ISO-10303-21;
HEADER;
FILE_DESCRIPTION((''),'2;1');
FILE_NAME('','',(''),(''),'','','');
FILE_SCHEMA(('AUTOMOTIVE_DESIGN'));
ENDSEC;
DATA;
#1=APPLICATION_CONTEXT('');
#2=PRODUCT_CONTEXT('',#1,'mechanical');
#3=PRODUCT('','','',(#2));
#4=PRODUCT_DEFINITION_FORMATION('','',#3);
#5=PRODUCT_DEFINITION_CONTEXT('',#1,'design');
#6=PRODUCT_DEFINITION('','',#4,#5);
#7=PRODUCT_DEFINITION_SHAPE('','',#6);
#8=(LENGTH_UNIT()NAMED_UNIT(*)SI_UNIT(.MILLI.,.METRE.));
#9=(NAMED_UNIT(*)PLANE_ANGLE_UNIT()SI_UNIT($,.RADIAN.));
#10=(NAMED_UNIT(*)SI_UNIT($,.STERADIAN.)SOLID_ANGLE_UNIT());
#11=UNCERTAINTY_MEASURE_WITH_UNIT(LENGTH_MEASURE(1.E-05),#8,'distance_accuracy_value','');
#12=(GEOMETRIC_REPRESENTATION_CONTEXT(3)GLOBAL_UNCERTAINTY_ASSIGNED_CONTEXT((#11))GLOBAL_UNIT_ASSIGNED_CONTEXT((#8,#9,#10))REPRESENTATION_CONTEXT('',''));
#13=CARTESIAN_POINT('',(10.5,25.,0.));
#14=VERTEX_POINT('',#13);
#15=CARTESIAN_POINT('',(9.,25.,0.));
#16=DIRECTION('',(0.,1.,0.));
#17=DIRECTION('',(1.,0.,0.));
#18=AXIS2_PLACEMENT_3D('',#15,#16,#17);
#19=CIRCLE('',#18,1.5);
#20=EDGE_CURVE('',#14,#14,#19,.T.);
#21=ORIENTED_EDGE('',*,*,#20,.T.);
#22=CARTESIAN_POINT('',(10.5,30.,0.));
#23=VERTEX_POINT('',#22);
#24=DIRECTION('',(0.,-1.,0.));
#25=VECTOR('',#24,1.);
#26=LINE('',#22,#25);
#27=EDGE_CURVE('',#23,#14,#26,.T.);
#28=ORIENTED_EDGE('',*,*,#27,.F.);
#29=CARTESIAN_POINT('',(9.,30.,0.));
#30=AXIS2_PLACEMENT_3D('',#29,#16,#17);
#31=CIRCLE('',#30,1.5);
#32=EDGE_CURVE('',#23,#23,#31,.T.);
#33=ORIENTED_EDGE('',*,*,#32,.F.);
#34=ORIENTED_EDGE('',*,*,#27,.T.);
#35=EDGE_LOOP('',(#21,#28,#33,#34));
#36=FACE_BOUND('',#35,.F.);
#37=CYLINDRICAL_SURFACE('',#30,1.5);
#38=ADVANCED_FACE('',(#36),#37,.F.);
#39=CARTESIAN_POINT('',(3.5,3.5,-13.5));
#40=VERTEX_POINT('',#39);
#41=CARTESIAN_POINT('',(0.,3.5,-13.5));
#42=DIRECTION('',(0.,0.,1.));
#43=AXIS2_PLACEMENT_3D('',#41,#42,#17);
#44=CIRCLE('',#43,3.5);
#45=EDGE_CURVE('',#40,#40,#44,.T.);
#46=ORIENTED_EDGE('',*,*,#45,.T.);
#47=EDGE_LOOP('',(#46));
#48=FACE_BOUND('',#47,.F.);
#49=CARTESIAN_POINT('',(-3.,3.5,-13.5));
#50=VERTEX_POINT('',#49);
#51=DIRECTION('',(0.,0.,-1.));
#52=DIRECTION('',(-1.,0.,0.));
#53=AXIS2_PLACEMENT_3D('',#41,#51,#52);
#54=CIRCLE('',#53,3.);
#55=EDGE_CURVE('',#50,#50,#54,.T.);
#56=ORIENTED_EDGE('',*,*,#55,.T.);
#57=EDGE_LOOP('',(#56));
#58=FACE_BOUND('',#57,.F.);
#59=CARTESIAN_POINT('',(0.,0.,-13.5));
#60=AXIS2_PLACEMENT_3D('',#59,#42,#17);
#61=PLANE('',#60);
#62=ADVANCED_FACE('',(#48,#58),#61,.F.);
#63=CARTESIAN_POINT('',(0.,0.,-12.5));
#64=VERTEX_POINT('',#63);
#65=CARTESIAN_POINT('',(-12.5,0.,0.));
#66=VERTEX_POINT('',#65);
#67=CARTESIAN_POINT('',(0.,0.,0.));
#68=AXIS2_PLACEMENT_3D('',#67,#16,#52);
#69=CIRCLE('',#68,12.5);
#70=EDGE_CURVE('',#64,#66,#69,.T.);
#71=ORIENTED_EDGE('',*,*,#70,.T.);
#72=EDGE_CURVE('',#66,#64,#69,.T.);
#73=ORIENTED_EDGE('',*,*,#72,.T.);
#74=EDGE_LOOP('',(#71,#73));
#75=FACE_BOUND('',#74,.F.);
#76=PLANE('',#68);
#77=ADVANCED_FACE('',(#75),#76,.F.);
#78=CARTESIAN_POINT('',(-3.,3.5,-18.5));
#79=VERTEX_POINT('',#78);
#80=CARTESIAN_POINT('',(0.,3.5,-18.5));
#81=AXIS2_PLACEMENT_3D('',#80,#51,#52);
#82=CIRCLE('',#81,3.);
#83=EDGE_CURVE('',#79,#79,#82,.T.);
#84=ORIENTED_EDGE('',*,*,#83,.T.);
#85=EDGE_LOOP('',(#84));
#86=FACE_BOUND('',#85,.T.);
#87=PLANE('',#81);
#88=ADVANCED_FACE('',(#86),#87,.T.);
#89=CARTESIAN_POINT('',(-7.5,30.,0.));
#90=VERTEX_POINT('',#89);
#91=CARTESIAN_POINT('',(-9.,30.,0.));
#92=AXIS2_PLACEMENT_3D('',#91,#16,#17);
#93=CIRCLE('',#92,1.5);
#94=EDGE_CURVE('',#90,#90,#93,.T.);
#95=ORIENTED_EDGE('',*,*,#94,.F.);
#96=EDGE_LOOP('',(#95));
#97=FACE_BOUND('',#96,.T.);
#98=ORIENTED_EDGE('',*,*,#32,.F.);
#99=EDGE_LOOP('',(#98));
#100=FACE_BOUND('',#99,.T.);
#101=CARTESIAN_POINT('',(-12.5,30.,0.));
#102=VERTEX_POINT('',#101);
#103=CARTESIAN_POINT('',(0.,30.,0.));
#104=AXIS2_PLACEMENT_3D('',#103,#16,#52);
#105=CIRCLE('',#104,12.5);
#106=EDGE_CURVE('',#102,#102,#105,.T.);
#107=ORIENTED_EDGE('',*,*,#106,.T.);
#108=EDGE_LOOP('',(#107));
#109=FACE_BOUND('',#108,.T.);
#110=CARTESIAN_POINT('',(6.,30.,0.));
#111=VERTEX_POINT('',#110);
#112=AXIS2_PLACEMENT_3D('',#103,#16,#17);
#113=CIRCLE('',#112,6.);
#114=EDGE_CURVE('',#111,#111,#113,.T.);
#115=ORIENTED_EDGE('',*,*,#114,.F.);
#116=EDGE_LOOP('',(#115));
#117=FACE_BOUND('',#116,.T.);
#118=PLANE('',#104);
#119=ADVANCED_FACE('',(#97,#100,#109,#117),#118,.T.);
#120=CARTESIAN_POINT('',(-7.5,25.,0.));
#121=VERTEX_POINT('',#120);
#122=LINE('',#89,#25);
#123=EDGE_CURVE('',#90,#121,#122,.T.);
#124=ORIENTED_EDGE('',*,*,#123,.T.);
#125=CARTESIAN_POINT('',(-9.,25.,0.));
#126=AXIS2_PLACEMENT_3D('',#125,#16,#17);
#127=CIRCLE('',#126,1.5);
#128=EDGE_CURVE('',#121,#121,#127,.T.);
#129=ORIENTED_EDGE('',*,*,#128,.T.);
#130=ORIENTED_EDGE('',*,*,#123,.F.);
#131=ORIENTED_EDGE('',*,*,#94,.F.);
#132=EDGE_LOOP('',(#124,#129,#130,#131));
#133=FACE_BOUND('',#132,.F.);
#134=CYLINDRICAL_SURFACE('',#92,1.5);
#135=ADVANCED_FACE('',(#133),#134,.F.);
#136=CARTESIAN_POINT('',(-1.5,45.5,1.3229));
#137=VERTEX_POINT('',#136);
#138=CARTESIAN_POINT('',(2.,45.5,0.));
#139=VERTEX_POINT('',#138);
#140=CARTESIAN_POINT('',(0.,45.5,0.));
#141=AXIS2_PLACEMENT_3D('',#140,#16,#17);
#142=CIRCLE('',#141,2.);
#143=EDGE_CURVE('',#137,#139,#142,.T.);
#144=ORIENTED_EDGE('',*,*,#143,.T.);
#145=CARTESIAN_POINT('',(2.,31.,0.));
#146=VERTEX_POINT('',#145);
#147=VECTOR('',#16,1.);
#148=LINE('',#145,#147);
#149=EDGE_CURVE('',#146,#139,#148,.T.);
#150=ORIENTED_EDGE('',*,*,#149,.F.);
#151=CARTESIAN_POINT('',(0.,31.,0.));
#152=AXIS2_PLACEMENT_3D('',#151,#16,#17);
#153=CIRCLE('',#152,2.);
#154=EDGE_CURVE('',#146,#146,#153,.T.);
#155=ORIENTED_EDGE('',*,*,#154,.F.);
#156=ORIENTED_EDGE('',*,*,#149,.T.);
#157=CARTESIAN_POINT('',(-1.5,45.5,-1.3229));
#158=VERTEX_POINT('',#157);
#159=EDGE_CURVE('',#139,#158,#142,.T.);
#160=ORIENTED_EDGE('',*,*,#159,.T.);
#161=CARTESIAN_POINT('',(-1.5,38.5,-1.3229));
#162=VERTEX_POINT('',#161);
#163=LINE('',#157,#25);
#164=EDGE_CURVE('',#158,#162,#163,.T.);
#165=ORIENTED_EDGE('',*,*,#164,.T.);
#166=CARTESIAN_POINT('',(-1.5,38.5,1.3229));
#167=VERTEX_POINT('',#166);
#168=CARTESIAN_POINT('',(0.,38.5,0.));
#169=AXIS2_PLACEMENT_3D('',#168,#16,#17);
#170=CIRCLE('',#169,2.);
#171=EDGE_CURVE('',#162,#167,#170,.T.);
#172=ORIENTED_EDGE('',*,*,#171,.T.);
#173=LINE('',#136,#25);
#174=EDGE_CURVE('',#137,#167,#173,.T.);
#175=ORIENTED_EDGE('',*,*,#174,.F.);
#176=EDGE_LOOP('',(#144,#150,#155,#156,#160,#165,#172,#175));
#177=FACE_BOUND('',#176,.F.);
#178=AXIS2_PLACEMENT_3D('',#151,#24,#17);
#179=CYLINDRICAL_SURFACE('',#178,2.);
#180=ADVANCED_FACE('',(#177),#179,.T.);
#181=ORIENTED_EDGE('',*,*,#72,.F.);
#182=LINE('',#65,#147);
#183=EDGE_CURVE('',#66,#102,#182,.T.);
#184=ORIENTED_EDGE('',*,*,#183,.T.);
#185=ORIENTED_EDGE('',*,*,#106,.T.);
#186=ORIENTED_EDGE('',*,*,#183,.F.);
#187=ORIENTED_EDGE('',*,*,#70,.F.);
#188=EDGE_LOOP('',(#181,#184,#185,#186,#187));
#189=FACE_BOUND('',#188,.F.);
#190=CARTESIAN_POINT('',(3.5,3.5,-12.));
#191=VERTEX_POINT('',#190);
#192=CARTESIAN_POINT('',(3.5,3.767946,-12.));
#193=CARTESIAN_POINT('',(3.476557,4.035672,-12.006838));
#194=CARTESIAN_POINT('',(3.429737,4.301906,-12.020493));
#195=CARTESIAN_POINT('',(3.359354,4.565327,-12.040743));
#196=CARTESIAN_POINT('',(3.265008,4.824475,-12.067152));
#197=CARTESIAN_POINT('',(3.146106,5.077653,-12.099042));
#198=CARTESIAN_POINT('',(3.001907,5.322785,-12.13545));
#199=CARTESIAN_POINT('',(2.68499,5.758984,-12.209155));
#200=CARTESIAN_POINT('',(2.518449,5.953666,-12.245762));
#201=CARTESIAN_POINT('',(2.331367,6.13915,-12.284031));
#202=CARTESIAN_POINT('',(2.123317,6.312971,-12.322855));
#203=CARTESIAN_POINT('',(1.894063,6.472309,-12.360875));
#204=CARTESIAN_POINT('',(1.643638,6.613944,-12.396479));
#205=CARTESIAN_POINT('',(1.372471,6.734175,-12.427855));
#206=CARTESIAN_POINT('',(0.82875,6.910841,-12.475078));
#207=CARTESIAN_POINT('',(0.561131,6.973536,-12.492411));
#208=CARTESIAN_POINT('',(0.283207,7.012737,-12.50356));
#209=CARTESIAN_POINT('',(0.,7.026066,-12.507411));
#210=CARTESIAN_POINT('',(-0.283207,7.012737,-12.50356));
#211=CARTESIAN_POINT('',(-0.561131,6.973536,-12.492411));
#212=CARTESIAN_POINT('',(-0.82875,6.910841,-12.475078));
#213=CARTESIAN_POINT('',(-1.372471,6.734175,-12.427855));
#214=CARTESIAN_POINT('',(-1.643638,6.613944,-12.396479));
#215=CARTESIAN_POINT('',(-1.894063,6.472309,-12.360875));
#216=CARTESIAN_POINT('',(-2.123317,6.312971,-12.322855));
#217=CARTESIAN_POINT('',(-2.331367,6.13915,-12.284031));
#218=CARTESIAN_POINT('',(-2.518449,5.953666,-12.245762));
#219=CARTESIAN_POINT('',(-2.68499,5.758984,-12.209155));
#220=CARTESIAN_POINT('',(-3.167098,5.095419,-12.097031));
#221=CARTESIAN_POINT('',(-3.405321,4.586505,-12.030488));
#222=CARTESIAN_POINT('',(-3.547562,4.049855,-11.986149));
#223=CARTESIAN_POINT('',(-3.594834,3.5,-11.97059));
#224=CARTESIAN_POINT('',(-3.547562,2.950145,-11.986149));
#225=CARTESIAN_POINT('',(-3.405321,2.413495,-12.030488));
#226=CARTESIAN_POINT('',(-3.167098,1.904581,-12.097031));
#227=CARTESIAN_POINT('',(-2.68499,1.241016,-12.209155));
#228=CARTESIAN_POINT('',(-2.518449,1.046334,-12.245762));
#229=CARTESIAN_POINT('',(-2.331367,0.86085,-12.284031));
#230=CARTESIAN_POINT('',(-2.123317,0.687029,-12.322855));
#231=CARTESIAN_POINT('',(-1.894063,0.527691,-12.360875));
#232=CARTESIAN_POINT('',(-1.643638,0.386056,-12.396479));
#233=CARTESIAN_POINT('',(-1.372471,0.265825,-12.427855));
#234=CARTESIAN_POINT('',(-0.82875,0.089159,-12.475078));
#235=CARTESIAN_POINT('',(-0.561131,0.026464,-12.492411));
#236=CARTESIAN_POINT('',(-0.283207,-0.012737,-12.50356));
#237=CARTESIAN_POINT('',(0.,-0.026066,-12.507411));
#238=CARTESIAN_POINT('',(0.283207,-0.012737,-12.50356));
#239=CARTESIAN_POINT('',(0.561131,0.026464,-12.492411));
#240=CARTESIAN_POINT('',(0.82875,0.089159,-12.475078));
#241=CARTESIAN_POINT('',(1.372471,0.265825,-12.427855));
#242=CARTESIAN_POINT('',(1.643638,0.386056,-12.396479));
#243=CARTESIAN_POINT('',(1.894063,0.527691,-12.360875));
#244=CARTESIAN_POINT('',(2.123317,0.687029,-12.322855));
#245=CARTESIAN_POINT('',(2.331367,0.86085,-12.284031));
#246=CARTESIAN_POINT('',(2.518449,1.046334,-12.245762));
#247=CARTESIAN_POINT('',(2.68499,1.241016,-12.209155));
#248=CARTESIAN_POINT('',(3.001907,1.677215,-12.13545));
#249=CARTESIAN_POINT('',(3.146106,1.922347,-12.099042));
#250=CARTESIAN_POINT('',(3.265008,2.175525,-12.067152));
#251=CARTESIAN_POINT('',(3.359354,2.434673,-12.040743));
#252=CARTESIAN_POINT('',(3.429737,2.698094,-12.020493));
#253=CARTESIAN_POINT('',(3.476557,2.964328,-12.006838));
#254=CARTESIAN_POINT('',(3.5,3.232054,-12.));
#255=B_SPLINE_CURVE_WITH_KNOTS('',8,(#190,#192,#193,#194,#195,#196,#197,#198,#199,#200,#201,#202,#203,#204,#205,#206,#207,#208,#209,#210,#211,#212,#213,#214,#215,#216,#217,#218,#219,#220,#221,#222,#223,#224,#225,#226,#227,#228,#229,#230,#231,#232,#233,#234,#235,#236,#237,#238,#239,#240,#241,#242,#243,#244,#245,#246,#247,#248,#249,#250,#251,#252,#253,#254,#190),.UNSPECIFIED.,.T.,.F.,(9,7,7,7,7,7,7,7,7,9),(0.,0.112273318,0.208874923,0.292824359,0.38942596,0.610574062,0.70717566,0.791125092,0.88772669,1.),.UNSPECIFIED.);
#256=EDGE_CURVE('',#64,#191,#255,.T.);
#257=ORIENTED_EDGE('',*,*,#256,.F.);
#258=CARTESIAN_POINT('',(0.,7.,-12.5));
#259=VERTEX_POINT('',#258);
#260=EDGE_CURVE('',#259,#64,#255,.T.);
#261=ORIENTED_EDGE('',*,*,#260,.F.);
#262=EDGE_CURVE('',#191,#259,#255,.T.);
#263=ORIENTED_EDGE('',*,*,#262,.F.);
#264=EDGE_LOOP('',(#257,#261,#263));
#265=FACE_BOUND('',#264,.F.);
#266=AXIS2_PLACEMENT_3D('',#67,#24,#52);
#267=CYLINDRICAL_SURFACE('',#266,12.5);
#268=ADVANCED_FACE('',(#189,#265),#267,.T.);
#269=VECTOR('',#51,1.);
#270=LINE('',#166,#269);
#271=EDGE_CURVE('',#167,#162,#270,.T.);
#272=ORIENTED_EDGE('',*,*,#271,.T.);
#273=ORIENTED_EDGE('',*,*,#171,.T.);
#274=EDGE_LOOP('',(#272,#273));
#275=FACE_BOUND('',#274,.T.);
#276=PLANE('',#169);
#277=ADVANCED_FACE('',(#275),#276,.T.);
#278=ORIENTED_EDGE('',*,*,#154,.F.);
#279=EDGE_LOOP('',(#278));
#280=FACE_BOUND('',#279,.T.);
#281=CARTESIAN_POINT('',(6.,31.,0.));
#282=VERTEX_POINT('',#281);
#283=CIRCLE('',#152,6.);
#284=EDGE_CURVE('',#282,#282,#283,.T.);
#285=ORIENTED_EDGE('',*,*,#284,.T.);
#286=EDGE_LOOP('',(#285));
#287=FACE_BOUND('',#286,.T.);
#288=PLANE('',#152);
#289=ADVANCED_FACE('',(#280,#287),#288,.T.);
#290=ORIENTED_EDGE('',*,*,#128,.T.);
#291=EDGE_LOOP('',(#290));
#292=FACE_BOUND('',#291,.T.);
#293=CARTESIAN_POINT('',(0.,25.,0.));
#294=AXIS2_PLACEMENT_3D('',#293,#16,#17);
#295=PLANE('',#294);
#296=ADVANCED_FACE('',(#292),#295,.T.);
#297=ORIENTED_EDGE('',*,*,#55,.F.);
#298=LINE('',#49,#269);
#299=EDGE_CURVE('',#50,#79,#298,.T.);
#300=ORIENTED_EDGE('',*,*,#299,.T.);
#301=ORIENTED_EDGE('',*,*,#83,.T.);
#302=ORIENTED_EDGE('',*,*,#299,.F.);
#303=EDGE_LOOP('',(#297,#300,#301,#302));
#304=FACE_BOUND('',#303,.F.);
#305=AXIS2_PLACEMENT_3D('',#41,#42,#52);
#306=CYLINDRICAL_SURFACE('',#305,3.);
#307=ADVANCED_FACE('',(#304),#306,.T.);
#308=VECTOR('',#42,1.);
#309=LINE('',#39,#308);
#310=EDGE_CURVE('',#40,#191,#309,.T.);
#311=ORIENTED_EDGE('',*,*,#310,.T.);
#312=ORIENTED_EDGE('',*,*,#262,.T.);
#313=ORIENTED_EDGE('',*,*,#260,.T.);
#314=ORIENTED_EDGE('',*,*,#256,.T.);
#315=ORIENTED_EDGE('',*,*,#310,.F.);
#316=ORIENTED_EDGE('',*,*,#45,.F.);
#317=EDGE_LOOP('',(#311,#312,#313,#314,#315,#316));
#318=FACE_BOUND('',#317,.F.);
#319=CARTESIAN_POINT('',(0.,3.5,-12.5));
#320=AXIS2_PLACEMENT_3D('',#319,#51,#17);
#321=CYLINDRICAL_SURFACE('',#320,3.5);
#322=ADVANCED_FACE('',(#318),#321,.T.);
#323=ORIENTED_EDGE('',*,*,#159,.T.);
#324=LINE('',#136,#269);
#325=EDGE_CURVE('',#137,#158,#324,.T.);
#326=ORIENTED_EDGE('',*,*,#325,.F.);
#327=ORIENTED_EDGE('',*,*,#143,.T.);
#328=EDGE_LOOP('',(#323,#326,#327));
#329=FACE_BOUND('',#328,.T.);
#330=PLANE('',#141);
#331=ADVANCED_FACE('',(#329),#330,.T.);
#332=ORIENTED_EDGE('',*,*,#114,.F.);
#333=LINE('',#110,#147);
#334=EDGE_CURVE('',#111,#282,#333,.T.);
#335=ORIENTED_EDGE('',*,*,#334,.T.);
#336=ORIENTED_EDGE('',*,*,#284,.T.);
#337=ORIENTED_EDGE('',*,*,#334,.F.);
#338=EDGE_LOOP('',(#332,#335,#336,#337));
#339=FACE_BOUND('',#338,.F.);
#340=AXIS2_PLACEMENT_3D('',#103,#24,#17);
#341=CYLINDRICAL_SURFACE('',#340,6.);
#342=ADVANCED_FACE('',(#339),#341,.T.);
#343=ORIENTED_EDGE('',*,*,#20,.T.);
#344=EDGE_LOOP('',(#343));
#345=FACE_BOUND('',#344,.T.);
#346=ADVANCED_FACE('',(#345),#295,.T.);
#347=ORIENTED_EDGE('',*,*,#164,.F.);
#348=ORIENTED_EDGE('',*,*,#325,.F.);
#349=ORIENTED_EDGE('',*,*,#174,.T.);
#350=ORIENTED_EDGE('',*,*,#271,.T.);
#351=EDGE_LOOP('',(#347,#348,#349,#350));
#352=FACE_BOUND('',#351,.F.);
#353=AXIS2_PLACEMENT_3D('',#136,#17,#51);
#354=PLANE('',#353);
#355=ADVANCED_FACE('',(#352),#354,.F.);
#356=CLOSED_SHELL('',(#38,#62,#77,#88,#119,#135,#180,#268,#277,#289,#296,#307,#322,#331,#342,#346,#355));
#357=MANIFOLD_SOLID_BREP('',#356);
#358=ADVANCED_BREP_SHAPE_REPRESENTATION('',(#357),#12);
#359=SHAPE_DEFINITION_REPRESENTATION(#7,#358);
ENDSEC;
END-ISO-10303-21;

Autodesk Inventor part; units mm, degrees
ref_plane "YZ Plane" through (0, 0, 0) normal (1, 0, 0) x (0, 1, 0)
ref_plane "XZ Plane" through (0, 0, 0) normal (0, 1, 0) x (-1, 0, 0)
sketch "Esquisse1" plane through (0, 0, 0) normal (0, 1, 0) x (-1, 0, 0)
  circle A0 centre (0, 0) radius 12.5
  dimension "d0" = 25
extrude "Extrusion1" add sketch "Esquisse1" along normal blind 30
sketch "Esquisse2" plane through (0, 30, 0) normal (0, 1, 0) x (1, 0, 0)
  circle A0 centre (0, 0) radius 6
  dimension "d3" = 12
extrude "Extrusion2" add sketch "Esquisse2" along normal blind 1
sketch "Esquisse3" plane through (0, 31, 0) normal (0, 1, 0) x (1, 0, 0)
  circle A0 centre (0, 0) radius 2
  dimension "d6" = 4
extrude "Extrusion3" add sketch "Esquisse3" along normal blind 14.5
sketch "Esquisse4" plane through (0, 45.5, 0) normal (0, 1, 0) x (1, 0, 0)
  circle A0 centre (0, 0) radius 2 projected
  line L0 (-1.5, -1.3229) -> (-1.5, 1.3229)
  dimension "d9" = 0.5
extrude "Extrusion4" cut sketch "Esquisse4" against normal blind 7 contours L0 A0 picked at (-1.5908, -0.3089)
ref_plane "Plan de construction1" through (0, 0, -12.5) normal (0, 0, 1) x (1, 0, 0)
sketch "Esquisse5" plane through (0, 0, -12.5) normal (0, 0, 1) x (1, 0, 0)
  circle A0 centre (0, 3.5) radius 3.5
  point P0 (0, 0)
  dimension "d12" = 3.5
  dimension "d13" = 7
extrude "Extrusion5" add sketch "Esquisse5" along normal mid plane 2
sketch "Esquisse6" plane through (0, 3.5, -13.5) normal (0, 0, -1) x (-1, 0, 0)
  circle A0 centre (0, 0) radius 3
  point P0 (0, -3.5)
  dimension "d16" = 6
extrude "Extrusion6" add sketch "Esquisse6" along normal blind 5
sketch "Esquisse7" plane through (0, 30, 0) normal (0, 1, 0) x (1, 0, 0)
  circle A0 centre (-9, 0) radius 1.5
  circle A1 centre (9, 0) radius 1.5
  point P0 (0, 0)
  dimension "d19" = 3
  dimension "d20" = 3
  dimension "d21" = 9
  dimension "d22" = 9
extrude "Extrusion7" cut sketch "Esquisse7" against normal blind 5
properties part number "codeur_S25J"
